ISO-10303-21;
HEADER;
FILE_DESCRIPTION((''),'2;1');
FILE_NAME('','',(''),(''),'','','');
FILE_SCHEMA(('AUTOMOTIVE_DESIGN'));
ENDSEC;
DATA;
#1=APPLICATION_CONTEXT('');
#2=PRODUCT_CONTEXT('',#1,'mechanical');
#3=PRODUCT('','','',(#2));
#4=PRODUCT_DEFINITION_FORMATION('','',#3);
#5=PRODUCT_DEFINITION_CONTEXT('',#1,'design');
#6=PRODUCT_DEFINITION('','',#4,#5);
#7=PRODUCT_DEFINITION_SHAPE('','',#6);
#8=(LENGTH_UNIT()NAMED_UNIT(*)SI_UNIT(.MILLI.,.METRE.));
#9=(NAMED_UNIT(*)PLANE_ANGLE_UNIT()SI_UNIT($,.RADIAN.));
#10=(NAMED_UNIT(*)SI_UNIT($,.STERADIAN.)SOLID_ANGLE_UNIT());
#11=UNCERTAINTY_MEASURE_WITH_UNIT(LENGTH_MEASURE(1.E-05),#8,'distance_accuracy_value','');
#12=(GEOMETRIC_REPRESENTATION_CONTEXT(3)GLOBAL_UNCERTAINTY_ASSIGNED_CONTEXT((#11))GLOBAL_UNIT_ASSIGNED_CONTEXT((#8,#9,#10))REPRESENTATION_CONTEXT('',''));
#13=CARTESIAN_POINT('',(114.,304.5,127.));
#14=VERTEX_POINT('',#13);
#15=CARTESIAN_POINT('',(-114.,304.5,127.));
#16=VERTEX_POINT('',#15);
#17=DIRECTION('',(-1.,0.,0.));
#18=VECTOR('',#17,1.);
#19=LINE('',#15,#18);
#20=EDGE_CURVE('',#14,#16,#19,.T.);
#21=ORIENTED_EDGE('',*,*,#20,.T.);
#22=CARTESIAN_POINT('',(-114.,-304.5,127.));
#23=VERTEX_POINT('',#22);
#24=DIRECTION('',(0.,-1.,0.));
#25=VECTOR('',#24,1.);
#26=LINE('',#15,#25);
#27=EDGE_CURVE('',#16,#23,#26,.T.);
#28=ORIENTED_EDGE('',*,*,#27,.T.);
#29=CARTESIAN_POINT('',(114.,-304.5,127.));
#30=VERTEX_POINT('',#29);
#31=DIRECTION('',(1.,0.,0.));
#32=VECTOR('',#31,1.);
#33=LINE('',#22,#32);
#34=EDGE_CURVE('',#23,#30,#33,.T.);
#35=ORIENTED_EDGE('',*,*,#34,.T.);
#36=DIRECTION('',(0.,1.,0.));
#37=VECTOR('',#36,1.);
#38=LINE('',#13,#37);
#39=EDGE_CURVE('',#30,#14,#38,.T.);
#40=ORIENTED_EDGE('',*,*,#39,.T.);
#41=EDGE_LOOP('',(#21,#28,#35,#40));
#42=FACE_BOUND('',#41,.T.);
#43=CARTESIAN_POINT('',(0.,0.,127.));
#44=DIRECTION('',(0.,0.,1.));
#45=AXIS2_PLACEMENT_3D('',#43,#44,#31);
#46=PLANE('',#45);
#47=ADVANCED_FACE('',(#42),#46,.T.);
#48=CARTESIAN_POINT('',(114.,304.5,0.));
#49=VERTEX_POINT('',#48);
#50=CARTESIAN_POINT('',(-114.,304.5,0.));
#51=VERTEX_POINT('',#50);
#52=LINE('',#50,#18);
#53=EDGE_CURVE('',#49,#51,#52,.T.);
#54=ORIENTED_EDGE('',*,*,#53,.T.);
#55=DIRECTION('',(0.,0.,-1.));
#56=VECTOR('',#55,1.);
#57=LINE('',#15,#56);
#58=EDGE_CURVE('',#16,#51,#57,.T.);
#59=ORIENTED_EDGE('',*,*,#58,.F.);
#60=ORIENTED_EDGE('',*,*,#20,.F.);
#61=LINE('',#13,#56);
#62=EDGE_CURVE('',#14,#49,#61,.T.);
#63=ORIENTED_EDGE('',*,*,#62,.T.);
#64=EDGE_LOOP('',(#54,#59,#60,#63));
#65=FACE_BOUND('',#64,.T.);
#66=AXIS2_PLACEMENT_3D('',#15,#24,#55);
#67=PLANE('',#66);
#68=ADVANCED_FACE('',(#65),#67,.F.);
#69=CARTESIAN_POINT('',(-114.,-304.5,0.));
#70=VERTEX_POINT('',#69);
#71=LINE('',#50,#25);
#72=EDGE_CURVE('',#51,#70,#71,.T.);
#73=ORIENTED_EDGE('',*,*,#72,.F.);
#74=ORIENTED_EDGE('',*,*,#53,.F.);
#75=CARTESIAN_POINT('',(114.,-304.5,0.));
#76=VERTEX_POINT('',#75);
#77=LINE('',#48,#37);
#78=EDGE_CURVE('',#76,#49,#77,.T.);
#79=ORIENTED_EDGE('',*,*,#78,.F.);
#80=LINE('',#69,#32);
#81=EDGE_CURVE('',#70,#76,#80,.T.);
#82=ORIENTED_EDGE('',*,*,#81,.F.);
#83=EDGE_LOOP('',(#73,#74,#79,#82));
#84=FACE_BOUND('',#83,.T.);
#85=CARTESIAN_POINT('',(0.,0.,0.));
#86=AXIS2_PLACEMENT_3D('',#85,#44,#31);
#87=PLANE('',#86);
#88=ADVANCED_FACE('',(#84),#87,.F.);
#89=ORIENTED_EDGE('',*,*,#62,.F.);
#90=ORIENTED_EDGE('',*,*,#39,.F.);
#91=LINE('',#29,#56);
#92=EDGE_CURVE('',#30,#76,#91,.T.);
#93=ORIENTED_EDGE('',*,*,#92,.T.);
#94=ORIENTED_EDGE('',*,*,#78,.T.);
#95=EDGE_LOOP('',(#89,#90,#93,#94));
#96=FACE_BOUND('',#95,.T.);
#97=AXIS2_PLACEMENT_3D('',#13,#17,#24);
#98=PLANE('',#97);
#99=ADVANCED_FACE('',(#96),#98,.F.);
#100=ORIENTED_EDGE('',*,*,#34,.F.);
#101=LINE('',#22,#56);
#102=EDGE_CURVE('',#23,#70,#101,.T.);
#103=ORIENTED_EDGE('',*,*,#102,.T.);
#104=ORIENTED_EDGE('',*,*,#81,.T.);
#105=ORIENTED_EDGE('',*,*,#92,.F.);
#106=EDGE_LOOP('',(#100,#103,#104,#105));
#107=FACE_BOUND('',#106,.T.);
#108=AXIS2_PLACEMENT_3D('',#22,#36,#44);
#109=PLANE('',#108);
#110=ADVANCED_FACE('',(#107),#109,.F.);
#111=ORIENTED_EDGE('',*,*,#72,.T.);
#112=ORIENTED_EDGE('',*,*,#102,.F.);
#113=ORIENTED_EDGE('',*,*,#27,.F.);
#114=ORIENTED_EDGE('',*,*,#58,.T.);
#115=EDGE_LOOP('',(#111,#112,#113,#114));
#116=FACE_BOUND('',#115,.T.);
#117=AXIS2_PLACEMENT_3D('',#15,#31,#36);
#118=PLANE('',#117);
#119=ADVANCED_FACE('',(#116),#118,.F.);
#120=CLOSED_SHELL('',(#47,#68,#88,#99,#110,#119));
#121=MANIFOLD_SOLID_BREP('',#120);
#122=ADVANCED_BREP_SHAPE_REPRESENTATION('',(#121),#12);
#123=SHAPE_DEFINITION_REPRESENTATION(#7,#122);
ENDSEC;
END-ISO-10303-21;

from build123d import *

# Parameters (mm, degrees)
SKETCH1_W           = 228
SKETCH1_H           = 609
BOSS_EXTRUDE1_DEPTH = 127


with BuildPart() as part:
    # Sketch1 → Boss-Extrude1 (new body)
    with BuildSketch(Plane.XY):
        Rectangle(SKETCH1_W, SKETCH1_H)
    extrude(amount=BOSS_EXTRUDE1_DEPTH)


solid = part.part
